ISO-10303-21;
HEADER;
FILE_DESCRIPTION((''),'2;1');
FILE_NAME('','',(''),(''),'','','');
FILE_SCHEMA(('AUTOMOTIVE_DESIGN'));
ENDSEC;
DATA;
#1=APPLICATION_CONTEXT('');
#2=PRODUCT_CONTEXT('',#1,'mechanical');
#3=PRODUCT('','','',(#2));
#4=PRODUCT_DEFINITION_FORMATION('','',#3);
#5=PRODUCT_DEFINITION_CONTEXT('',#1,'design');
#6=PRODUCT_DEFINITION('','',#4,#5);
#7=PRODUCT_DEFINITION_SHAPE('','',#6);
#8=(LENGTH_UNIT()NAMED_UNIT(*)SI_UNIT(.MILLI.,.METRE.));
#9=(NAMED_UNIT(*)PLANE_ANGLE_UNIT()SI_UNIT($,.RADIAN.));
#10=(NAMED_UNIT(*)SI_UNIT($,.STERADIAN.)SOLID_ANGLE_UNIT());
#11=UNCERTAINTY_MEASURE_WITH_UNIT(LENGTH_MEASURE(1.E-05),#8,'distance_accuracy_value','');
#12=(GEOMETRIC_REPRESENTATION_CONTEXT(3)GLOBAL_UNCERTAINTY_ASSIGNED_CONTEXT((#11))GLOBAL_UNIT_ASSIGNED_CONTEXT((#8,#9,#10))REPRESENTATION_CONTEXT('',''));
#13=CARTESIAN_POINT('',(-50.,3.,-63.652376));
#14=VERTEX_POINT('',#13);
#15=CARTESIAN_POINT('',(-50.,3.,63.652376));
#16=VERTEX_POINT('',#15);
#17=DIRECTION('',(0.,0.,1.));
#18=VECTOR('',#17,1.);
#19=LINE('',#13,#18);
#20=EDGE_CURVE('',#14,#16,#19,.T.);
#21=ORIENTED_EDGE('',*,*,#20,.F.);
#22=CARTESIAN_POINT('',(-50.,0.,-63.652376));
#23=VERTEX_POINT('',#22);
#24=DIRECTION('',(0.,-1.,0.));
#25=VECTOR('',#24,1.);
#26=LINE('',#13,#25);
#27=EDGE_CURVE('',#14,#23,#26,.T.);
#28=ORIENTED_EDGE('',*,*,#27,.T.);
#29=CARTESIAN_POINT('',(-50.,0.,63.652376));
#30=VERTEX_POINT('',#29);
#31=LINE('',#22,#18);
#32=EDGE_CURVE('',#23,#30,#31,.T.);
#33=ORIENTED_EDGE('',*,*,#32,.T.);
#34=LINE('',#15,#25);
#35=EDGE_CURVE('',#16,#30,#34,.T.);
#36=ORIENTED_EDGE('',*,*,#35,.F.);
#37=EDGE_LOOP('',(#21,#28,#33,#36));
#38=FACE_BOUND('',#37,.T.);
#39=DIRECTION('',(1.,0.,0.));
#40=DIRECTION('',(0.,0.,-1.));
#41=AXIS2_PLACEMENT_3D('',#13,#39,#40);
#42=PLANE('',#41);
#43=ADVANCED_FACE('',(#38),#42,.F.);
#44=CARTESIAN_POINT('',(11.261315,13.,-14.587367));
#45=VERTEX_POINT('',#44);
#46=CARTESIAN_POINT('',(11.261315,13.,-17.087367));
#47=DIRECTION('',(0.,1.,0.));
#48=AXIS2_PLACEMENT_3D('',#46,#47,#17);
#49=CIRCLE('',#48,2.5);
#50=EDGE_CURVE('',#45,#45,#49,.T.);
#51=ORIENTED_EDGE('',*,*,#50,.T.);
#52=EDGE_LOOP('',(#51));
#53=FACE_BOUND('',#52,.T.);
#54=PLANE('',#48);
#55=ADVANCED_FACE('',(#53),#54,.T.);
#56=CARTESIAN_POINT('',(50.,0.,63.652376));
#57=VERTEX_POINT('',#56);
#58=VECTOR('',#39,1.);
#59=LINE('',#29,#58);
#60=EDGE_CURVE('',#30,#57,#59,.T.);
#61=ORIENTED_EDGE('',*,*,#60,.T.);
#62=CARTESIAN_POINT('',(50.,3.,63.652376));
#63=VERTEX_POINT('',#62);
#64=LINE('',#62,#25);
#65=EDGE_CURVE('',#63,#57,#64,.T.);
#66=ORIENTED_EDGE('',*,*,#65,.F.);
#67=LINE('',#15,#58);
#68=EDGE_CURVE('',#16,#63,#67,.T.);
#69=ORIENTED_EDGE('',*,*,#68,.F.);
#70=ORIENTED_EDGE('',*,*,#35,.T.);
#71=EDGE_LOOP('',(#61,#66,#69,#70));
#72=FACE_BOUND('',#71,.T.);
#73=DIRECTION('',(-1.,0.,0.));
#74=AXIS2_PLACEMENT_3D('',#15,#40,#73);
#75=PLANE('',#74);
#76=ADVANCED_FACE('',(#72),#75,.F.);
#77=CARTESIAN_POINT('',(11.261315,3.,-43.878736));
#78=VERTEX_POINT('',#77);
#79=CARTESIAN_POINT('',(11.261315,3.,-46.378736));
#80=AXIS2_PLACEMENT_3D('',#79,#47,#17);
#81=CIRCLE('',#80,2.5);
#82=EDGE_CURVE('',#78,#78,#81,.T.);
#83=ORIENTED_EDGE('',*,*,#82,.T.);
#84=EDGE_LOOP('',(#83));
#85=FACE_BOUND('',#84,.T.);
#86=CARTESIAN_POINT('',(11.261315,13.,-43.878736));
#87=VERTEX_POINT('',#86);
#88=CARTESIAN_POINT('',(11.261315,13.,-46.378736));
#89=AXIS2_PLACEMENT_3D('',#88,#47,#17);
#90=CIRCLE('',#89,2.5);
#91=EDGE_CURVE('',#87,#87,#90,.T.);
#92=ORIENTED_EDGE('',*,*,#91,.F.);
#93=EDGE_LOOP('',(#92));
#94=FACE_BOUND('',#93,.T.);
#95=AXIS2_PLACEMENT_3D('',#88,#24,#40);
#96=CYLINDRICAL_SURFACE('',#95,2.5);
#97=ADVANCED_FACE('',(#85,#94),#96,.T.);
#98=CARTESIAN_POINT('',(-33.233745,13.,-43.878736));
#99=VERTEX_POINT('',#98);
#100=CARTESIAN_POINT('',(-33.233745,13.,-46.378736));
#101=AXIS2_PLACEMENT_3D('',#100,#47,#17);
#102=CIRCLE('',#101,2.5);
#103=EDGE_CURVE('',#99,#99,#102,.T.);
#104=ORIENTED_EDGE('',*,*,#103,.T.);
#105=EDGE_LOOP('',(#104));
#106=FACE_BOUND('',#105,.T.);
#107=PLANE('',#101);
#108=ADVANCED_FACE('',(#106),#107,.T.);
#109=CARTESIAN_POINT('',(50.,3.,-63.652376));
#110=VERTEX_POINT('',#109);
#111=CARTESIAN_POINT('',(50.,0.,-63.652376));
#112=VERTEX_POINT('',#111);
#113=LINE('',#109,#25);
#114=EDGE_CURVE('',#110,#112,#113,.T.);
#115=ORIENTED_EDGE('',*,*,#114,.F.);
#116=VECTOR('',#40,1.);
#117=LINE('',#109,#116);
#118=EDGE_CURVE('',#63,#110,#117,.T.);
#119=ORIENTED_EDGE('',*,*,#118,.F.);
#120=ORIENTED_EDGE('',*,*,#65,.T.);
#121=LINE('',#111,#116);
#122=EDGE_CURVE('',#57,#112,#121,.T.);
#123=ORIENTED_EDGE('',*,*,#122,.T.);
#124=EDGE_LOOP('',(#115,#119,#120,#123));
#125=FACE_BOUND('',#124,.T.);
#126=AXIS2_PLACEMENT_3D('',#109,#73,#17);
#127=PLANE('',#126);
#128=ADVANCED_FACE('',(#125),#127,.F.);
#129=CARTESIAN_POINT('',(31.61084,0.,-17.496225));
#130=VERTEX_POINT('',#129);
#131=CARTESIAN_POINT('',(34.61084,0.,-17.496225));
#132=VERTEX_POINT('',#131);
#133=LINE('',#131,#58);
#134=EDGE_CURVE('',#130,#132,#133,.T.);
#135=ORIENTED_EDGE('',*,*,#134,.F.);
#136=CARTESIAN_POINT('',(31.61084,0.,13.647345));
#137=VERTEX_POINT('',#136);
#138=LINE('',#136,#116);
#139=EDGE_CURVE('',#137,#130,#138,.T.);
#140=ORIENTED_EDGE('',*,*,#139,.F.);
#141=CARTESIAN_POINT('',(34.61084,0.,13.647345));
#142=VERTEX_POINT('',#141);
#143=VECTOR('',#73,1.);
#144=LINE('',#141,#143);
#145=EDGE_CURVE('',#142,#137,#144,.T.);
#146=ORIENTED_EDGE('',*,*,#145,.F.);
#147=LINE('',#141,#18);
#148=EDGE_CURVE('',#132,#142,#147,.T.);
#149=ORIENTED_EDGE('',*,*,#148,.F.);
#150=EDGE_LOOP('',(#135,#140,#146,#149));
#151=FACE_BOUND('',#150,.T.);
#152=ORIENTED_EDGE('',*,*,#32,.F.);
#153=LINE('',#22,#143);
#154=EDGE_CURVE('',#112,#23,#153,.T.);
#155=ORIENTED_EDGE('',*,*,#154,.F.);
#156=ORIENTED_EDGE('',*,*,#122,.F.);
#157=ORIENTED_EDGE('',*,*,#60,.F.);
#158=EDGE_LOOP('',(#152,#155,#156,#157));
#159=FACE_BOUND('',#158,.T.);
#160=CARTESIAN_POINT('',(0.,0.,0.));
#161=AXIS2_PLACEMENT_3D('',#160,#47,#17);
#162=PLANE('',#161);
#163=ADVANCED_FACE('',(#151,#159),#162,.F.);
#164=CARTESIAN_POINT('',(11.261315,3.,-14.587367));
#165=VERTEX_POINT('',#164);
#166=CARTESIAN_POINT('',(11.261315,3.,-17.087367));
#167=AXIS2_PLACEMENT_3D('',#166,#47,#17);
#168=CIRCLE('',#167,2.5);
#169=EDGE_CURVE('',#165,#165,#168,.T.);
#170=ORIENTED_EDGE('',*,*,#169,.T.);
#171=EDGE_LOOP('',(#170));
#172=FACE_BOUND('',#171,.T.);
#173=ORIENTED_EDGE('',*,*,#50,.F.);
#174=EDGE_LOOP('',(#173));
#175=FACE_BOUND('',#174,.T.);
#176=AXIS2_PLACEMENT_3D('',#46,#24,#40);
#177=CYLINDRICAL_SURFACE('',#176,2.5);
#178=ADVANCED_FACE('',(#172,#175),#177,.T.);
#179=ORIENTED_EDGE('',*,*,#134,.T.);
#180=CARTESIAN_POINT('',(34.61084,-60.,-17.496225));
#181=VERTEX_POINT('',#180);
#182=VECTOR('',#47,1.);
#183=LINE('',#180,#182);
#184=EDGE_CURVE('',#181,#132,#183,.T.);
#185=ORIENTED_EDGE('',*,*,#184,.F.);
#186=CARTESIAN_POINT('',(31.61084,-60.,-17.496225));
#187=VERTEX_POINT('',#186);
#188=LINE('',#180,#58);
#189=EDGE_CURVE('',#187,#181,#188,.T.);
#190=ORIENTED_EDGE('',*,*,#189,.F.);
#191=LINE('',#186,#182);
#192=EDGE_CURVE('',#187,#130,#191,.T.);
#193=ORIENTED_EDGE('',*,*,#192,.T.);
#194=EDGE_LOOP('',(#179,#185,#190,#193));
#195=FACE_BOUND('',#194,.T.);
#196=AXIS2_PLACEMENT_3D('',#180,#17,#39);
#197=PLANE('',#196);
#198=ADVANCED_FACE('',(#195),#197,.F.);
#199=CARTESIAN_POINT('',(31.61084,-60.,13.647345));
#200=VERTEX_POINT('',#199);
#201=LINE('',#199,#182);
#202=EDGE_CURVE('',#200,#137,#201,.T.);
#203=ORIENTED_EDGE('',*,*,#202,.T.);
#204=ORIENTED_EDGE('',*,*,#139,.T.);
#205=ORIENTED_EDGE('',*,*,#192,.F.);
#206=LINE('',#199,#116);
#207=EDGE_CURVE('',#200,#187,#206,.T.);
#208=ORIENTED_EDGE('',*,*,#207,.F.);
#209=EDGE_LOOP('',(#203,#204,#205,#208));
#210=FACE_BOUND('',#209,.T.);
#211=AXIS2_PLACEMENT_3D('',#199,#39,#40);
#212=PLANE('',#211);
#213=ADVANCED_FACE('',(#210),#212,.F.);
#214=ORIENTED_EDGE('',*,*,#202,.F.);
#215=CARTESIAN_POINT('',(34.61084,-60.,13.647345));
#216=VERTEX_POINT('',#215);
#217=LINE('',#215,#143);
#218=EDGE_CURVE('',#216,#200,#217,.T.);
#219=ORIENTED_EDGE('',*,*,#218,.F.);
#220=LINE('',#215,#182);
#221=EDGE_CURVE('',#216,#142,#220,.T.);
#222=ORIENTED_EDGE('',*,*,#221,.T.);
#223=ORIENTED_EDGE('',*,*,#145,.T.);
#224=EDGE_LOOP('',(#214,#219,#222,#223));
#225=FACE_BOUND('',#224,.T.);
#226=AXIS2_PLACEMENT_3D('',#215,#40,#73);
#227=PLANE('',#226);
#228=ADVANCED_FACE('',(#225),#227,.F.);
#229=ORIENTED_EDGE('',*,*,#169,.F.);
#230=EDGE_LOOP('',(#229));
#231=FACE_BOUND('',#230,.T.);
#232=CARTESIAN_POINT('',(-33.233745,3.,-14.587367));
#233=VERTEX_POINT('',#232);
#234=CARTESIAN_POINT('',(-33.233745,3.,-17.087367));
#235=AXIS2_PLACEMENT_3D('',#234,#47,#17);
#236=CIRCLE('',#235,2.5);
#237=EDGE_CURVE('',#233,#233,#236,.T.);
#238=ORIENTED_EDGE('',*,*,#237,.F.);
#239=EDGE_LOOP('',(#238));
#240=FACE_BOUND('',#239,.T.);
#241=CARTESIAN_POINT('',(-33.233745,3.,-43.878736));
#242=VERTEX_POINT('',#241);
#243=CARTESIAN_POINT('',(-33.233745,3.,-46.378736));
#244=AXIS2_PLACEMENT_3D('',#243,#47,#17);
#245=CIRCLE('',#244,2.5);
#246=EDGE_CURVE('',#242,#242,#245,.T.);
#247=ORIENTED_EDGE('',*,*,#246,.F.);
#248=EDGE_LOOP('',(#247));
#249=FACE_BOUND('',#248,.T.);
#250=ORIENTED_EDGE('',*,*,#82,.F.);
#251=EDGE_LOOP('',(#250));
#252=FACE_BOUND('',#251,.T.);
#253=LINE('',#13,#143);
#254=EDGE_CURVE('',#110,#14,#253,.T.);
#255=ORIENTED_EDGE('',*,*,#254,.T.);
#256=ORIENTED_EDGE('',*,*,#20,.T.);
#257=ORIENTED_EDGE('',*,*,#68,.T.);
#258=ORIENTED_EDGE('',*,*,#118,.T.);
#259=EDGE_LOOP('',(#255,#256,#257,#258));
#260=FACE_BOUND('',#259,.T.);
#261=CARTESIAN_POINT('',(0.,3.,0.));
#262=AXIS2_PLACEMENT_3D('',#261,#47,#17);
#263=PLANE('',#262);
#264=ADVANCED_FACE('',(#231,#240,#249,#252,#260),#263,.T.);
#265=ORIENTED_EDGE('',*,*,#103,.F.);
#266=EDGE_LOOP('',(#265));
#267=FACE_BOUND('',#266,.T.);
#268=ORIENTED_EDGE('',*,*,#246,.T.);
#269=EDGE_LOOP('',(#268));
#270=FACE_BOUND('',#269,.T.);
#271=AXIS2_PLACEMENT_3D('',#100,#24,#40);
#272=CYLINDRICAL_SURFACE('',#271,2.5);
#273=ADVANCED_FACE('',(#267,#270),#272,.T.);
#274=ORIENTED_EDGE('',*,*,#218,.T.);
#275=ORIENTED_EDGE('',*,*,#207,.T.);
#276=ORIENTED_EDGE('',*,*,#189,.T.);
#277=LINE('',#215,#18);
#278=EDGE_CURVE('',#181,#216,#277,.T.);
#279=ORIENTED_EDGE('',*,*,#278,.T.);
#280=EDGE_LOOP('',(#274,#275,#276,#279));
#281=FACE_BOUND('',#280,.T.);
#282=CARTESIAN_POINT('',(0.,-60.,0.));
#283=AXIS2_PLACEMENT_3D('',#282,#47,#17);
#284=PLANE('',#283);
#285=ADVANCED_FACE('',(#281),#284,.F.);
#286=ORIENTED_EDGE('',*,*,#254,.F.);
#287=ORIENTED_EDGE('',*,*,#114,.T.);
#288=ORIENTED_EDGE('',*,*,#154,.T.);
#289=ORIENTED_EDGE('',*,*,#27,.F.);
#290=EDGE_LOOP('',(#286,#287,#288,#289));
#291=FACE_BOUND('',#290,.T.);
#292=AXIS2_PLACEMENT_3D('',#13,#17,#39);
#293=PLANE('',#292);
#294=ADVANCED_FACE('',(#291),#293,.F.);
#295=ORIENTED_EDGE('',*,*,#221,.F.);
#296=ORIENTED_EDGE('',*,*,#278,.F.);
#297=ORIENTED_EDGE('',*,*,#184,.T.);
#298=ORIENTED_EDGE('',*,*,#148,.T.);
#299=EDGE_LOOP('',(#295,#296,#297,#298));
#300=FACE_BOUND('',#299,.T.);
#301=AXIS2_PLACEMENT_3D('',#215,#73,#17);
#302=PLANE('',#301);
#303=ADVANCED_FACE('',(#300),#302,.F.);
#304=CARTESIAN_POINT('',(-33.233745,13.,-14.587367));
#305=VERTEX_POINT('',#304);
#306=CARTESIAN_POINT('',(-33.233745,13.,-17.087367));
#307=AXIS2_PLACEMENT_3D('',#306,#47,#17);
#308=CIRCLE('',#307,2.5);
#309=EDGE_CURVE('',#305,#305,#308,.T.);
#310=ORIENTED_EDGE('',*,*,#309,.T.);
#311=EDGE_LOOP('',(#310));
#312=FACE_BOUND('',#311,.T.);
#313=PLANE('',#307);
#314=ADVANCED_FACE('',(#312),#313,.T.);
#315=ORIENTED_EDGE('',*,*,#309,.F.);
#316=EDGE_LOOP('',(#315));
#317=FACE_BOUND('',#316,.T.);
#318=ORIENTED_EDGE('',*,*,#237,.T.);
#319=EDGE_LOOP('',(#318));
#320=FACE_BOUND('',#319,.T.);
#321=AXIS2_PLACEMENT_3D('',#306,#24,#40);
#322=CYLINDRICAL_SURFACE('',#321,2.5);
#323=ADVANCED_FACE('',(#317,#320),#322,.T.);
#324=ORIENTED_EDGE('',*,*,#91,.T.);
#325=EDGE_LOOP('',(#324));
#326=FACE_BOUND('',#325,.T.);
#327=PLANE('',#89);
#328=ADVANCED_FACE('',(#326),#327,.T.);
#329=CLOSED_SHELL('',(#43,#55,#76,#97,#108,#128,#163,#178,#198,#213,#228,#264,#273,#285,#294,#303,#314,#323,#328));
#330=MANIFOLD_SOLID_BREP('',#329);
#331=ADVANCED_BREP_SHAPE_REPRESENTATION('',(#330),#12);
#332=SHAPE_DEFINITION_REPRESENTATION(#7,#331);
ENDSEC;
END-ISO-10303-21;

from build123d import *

# Parameters (mm, degrees)
CROQUIS1_W              = 100
CROQUIS1_H              = 127.304752994
SALIENTE_EXTRUIR1_DEPTH = 3
CROQUIS2_W              = 3
CROQUIS2_H              = 31.14357053
SALIENTE_EXTRUIR2_DEPTH = 60
CROQUIS3_R              = 2.5
SALIENTE_EXTRUIR3_DEPTH = 10


with BuildPart() as part:
    # Croquis1 → Saliente-Extruir1 (new body)
    with BuildSketch(Plane(origin=(0, 0, 0), x_dir=(1, 0, 0), z_dir=(0, 1, 0))):
        Rectangle(CROQUIS1_W, CROQUIS1_H)
    extrude(amount=SALIENTE_EXTRUIR1_DEPTH)

    # Croquis2 → Saliente-Extruir2 (add)
    with BuildSketch(Plane.XZ):
        with Locations((33.110839978, -1.924439839)):
            Rectangle(CROQUIS2_W, CROQUIS2_H)
    extrude(amount=SALIENTE_EXTRUIR2_DEPTH)

    # Croquis3 → Saliente-Extruir3 (add)
    with BuildSketch(Plane(origin=(0, 3, 0), x_dir=(1, 0, 0), z_dir=(0, 1, 0))):
        with Locations(Location((11.26131509, 46.378735673, 0), (0, 0, 270))):
            Circle(CROQUIS3_R)
        with Locations(Location((11.26131509, 17.087366944, 0), (0, 0, 270))):
            Circle(CROQUIS3_R)
        with Locations(Location((-33.233745319, 17.087366944, 0), (0, 0, 270))):
            Circle(CROQUIS3_R)
        with Locations(Location((-33.233745319, 46.378735673, 0), (0, 0, 270))):
            Circle(CROQUIS3_R)
    extrude(amount=SALIENTE_EXTRUIR3_DEPTH)


solid = part.part
